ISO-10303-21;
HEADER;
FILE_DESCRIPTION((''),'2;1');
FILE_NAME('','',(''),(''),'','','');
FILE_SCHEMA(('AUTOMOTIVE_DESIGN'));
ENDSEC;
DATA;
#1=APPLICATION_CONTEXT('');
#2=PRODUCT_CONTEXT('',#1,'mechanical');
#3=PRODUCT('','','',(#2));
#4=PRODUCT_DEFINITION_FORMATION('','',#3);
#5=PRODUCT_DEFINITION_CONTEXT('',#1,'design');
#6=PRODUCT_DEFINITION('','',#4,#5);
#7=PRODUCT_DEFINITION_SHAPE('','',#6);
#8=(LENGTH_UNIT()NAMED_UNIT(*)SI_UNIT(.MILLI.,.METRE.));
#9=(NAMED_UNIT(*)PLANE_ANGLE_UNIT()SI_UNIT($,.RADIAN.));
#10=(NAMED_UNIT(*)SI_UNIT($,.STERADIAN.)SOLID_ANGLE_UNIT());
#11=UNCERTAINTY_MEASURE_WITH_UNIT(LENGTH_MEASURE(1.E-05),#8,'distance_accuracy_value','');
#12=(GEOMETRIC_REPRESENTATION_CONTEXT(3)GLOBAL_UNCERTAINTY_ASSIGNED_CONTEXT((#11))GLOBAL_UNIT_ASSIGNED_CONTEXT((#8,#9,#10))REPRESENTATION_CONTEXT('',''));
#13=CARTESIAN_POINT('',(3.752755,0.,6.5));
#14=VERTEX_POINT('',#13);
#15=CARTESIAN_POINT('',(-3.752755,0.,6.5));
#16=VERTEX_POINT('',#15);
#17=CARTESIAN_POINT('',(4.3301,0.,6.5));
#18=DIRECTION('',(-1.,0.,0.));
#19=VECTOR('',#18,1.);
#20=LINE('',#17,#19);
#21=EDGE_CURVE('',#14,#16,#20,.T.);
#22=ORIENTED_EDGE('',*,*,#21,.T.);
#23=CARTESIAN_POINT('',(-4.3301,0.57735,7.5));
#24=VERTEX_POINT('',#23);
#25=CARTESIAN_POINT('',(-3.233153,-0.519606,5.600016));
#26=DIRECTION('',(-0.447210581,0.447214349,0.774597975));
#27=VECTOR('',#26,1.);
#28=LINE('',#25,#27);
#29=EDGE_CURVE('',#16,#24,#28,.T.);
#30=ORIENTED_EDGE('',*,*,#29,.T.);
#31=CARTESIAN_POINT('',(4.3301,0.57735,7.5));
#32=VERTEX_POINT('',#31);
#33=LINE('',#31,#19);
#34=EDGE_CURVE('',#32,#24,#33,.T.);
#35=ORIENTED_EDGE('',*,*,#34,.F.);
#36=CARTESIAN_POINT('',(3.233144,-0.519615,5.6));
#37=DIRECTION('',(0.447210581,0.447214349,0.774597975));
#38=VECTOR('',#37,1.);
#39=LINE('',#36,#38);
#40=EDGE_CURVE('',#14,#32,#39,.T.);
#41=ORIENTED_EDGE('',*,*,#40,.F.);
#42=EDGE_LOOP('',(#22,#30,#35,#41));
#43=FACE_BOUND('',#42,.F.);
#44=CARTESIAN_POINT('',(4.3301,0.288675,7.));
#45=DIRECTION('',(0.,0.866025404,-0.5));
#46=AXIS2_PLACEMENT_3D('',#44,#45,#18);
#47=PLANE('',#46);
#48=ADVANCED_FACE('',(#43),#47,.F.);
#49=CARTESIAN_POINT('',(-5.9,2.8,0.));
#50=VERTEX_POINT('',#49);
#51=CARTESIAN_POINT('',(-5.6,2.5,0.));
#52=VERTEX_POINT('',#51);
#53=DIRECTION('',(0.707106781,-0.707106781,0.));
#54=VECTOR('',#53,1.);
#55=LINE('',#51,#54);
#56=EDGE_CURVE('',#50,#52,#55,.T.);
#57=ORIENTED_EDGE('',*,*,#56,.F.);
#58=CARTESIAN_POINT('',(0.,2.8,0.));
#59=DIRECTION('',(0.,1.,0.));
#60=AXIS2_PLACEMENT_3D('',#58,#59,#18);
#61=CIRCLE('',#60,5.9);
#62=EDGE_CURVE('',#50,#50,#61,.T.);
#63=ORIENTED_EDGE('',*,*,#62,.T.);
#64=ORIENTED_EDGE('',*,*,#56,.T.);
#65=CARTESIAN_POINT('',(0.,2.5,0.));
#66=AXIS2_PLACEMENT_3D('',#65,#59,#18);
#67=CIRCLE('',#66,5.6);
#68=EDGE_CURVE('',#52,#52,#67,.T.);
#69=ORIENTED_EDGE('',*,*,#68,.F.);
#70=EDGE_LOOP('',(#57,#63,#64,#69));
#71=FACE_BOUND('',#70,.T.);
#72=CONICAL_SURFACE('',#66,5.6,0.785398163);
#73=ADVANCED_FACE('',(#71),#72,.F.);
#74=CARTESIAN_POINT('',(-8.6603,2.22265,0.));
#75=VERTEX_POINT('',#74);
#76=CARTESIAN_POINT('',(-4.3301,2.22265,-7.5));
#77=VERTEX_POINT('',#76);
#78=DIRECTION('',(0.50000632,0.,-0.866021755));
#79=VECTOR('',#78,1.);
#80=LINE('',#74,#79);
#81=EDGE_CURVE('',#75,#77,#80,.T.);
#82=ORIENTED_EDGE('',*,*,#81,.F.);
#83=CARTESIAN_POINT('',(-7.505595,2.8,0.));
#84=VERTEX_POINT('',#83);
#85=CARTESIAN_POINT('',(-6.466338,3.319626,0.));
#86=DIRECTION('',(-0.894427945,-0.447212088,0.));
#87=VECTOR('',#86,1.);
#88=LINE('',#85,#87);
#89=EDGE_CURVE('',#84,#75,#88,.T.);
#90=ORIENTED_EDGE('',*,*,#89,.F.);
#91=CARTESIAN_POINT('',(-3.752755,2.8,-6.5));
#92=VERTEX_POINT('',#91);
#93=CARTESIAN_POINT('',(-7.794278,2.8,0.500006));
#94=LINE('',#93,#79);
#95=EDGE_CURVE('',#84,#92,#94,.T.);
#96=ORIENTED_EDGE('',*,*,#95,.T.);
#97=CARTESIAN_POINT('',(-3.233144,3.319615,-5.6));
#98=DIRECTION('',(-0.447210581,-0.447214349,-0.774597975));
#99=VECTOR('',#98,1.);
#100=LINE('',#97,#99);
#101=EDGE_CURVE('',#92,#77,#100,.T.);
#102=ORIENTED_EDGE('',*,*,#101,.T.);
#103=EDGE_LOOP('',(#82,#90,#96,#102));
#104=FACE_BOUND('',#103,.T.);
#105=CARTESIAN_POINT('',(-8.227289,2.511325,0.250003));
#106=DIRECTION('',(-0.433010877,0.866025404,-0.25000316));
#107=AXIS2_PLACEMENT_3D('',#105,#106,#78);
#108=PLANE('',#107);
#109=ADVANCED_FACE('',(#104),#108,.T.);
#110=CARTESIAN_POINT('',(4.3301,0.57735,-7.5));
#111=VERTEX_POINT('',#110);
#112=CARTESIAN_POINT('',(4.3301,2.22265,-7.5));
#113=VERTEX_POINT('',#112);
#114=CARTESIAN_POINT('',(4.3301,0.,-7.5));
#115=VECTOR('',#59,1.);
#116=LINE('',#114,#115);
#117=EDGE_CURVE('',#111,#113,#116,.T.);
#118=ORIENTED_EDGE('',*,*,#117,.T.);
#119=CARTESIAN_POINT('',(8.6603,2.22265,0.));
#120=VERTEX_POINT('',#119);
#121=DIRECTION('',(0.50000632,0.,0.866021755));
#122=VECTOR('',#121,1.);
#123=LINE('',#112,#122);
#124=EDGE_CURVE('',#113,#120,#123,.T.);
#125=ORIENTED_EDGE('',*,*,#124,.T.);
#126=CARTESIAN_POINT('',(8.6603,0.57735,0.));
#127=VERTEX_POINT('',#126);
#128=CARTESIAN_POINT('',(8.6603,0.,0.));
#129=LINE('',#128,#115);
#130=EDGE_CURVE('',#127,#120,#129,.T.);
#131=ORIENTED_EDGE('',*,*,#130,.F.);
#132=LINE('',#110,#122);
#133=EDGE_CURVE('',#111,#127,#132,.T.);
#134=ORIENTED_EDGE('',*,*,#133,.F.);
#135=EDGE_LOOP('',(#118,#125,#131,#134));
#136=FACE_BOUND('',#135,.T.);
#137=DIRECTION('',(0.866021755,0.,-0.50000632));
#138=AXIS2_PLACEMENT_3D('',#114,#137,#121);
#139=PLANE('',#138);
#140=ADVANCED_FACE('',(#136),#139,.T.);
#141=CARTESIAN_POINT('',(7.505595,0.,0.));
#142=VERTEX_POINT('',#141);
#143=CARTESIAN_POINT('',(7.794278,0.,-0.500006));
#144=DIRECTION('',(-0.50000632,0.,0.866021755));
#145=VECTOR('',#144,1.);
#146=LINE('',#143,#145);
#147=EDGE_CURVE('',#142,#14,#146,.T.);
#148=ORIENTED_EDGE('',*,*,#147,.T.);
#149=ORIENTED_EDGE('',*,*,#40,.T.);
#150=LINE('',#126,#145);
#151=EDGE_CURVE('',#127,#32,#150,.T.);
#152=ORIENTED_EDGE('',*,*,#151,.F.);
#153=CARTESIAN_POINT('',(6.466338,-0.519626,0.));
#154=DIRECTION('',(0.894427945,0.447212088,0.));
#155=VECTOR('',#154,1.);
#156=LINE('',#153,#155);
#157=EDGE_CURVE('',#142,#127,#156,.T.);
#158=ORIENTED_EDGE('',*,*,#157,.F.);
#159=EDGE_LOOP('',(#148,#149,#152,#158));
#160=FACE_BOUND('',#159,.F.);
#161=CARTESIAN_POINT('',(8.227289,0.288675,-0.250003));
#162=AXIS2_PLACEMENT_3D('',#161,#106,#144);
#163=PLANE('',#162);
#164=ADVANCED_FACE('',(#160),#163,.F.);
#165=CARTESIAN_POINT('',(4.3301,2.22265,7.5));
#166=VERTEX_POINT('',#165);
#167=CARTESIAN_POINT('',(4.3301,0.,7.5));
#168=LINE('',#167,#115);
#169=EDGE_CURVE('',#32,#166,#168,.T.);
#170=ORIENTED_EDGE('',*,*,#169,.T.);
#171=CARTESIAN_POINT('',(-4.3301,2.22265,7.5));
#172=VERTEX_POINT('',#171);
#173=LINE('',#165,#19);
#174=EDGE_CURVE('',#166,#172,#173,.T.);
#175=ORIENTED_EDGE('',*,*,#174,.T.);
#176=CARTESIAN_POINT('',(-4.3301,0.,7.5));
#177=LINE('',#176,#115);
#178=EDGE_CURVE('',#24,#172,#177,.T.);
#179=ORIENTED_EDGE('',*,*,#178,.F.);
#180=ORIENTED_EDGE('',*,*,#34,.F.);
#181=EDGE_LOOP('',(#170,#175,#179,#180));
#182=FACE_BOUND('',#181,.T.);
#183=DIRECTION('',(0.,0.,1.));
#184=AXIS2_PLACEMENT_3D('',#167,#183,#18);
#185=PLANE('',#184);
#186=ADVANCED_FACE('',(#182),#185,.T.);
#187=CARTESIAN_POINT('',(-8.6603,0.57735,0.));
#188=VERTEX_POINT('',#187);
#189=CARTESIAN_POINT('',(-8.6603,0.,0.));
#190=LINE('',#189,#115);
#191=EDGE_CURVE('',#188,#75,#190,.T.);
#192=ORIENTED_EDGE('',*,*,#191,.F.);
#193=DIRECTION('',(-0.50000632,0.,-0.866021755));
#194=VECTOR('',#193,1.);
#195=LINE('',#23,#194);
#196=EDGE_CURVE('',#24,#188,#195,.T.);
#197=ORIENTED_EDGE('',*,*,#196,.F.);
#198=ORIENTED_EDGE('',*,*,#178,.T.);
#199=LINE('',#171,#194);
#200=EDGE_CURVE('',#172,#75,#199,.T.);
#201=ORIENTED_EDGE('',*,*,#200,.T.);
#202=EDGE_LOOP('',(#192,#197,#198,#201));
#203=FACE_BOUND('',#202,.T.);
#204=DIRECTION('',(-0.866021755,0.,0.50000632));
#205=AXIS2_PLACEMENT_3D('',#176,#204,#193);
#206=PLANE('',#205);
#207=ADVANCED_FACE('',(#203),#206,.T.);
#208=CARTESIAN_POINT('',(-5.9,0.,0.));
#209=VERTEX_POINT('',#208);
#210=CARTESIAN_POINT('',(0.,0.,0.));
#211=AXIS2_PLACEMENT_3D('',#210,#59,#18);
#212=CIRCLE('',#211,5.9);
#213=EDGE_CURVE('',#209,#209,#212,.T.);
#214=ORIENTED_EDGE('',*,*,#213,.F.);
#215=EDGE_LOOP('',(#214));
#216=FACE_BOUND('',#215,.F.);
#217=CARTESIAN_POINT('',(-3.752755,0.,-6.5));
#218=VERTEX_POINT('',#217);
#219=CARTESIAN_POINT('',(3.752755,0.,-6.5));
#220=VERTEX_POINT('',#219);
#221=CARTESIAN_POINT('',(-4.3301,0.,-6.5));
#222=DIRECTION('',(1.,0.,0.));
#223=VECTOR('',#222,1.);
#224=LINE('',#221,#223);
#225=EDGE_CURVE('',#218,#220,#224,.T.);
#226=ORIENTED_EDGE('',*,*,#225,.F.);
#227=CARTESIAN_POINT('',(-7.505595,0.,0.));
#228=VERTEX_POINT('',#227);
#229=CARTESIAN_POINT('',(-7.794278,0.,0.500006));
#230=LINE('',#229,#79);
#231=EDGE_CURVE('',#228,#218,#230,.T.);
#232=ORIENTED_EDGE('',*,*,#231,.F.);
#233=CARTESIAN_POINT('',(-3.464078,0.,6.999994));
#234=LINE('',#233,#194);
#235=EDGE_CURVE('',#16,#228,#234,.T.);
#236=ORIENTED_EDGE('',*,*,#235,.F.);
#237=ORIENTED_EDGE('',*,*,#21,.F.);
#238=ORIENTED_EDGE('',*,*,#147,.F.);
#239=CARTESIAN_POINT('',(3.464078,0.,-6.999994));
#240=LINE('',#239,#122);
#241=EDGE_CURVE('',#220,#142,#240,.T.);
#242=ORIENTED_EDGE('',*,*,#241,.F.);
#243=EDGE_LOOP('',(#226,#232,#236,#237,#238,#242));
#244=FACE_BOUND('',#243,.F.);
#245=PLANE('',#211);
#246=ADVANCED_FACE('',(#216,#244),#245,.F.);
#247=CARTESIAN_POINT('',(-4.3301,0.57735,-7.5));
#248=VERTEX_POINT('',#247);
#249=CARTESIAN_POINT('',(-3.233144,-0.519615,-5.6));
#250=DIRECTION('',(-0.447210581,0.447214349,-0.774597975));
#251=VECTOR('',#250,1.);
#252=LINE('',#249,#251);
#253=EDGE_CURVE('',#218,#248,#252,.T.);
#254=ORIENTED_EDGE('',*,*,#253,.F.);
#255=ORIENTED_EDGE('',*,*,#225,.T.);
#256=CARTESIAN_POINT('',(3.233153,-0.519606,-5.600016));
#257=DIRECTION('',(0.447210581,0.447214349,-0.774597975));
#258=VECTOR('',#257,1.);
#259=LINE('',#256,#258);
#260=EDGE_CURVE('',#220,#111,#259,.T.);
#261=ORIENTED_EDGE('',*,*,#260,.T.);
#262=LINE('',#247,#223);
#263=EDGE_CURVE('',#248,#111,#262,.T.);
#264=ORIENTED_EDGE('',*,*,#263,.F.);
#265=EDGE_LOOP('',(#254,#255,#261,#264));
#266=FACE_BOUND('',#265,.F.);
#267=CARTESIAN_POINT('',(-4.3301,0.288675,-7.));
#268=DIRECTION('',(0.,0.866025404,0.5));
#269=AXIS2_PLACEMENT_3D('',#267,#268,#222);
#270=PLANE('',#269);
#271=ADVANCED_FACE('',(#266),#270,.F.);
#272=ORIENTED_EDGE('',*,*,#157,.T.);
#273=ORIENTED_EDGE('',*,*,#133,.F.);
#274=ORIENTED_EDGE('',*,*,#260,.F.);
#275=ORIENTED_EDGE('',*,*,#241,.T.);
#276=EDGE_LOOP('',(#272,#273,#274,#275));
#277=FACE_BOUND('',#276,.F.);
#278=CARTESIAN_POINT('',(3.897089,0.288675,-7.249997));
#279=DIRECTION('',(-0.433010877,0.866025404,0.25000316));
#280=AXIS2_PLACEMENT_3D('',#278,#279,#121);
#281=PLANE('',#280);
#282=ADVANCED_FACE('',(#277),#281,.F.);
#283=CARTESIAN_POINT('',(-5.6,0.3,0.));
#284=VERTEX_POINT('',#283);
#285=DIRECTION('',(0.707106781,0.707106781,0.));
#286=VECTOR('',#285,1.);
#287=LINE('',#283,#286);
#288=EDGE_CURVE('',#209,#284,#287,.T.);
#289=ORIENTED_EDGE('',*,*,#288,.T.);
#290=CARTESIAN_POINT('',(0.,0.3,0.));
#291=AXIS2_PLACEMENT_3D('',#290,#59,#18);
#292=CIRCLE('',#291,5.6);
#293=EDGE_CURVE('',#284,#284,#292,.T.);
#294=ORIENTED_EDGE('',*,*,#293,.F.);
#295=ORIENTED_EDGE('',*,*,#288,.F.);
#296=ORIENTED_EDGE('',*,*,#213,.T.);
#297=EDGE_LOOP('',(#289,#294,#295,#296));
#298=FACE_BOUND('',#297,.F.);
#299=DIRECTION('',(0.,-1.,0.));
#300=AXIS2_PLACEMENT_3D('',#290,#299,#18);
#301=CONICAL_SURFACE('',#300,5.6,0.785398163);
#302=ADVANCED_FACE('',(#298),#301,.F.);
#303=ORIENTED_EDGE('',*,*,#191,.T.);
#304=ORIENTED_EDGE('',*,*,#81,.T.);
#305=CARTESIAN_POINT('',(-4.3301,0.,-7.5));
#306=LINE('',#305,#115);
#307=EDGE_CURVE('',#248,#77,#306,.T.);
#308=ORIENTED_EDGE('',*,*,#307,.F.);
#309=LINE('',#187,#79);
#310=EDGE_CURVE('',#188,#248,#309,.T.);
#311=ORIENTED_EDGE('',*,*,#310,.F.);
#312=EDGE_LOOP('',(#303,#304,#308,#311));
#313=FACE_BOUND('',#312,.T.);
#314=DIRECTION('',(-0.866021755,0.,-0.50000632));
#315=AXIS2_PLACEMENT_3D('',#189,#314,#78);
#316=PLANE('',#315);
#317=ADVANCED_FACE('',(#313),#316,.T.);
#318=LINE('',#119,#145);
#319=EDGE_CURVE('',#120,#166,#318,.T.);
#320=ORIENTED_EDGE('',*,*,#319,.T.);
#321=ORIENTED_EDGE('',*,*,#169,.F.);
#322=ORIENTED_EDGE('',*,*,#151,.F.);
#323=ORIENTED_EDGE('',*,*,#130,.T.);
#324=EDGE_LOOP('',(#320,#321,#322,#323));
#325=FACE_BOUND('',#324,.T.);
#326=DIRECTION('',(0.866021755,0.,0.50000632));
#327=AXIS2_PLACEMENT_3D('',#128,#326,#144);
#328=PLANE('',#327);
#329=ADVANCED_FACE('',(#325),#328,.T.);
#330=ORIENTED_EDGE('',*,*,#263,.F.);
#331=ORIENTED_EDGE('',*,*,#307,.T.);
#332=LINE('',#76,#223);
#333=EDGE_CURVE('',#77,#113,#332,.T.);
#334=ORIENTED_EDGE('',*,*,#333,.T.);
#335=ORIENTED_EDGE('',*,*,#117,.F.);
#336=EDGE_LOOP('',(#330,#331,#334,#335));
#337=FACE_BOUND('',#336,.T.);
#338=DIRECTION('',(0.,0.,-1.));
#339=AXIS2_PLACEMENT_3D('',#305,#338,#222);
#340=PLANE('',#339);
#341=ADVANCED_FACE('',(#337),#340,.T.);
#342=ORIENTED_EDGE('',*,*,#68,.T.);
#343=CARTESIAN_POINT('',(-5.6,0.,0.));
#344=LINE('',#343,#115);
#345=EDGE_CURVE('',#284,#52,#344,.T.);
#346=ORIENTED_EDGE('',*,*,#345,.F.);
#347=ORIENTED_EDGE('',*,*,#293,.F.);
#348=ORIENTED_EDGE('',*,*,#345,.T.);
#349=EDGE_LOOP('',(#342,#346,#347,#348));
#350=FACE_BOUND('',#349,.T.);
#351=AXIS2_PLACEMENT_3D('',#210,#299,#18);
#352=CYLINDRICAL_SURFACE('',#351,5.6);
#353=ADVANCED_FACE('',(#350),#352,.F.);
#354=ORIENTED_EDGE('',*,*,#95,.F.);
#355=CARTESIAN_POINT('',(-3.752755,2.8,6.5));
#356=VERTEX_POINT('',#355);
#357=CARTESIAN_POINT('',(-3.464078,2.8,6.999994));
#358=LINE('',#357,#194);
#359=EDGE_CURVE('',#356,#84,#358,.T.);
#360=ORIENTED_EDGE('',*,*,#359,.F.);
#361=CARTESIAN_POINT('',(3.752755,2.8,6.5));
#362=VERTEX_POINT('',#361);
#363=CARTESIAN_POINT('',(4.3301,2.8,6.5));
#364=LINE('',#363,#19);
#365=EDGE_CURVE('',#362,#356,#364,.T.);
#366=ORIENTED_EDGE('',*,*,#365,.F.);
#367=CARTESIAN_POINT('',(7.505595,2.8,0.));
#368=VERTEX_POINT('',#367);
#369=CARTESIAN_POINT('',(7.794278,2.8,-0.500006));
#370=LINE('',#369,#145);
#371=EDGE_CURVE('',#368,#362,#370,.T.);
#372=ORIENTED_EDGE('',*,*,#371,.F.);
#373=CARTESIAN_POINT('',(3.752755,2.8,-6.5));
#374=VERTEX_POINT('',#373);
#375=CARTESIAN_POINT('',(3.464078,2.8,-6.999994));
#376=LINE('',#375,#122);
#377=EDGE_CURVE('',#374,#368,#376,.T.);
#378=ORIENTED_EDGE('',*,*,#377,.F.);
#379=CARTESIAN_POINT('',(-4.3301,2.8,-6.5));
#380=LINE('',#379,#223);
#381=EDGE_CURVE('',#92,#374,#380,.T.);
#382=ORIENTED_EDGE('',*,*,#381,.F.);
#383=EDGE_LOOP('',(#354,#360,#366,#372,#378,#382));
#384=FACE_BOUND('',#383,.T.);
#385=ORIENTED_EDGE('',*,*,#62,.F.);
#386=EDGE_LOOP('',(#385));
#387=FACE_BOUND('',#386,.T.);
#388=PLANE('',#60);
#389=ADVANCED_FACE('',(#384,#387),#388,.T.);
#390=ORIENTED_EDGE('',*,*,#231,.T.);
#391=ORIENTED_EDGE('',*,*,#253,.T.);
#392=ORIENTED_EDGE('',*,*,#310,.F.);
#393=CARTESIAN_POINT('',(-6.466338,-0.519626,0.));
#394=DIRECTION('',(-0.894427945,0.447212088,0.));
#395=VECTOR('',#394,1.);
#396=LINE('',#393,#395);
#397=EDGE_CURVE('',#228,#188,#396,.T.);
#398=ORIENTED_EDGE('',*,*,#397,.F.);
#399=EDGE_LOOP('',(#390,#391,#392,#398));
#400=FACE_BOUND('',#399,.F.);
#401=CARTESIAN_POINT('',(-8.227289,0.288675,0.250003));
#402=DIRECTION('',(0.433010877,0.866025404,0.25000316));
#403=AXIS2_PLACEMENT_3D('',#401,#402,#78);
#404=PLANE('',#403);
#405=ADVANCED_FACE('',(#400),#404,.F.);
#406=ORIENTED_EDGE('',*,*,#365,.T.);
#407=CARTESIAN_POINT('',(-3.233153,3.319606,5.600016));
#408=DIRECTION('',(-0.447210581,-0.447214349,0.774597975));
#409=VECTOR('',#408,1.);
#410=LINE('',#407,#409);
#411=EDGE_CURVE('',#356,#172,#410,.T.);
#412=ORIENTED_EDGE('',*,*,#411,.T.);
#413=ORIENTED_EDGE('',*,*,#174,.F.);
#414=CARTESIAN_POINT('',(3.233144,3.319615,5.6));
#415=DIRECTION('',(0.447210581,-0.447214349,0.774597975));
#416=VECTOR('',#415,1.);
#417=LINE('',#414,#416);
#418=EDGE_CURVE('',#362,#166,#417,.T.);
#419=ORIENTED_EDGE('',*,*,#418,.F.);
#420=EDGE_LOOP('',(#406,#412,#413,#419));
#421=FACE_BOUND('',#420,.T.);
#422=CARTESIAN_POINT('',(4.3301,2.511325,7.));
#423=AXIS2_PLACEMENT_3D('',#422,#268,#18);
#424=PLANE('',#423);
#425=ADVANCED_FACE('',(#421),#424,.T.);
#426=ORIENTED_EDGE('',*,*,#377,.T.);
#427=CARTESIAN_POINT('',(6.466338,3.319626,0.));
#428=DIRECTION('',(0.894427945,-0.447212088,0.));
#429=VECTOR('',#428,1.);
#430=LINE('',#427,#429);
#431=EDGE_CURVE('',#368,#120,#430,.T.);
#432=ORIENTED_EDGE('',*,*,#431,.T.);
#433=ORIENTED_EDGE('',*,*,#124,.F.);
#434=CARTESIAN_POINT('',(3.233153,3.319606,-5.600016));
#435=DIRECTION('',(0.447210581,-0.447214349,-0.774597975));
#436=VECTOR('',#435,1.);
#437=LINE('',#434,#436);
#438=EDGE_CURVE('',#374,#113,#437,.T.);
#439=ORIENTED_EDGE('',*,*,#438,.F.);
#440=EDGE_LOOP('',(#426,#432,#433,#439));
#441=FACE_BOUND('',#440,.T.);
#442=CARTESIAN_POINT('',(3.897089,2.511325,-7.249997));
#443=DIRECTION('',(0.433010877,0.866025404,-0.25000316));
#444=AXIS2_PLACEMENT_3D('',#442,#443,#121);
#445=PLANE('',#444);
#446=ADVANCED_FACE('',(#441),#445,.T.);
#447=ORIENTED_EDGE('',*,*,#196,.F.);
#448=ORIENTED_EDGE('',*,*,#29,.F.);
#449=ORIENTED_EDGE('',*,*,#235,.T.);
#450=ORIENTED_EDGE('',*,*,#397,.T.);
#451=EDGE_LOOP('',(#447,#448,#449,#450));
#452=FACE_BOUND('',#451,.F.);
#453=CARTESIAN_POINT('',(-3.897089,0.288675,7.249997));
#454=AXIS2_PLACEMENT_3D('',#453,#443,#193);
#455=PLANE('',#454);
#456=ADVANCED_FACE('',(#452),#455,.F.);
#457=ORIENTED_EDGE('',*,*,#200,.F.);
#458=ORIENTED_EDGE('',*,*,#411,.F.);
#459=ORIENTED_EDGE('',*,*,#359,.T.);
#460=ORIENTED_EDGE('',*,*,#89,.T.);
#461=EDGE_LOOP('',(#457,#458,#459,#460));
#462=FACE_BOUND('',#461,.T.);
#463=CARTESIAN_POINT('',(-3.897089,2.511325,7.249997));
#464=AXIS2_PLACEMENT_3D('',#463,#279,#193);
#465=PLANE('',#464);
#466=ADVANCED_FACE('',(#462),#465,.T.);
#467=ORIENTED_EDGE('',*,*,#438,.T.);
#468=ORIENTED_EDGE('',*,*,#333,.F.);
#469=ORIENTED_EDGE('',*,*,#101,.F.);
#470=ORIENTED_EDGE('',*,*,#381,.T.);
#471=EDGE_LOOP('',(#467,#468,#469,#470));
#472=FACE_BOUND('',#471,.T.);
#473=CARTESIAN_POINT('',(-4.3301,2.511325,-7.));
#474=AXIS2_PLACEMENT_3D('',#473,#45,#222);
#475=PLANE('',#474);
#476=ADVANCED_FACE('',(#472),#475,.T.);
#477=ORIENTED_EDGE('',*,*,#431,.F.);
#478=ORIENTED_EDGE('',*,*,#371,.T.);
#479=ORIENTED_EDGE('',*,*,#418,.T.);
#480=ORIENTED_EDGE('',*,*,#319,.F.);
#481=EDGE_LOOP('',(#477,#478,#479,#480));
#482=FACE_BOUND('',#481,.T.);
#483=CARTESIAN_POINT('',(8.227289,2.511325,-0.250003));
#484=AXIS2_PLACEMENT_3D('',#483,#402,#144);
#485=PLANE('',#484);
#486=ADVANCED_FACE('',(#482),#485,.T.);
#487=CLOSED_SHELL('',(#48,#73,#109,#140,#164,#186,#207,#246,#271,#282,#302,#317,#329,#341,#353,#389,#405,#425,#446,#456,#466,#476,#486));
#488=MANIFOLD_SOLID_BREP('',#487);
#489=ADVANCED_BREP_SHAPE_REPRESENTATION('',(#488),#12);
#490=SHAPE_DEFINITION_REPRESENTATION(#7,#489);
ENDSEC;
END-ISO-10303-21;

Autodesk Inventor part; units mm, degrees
ref_plane "YZ Plane" through (0, 0, 0) normal (1, 0, 0) x (0, 1, 0)
ref_plane "XZ Plane" through (0, 0, 0) normal (0, 1, 0) x (-1, 0, 0)
ref_plane "XY Plane" through (0, 0, 0) normal (0, 0, 1) x (1, 0, 0)
sketch "Эскиз1" plane through (0, 0, 0) normal (0, 1, 0) x (-1, 0, 0)
  line L0 (-4.3301, -7.5) -> (-8.6603, 0)
  line L1 (-8.6603, 0) -> (-4.3301, 7.5)
  line L2 (-4.3301, 7.5) -> (4.3301, 7.5)
  line L3 (4.3301, 7.5) -> (8.6603, 0)
  line L4 (8.6603, 0) -> (4.3301, -7.5)
  line L5 (4.3301, -7.5) -> (-4.3301, -7.5)
  circle A0 centre (0, 0) radius 5.6
  dimension "d0" = 15
  dimension "d1" = 11.2
extrude "Выдавливание1" add sketch "Эскиз1" along normal blind 2.8
chamfer "Фаска1" distance 1 angle 30 6 edges at (0, 2.8, 7.5) (6.4952, 2.8, 3.75) (6.4952, 2.8, -3.75) (0, 2.8, -7.5) (-6.4952, 2.8, -3.75) (-6.4952, 2.8, 3.75) measured on face at (0.225, 2.8, 6.8531)
chamfer "Фаска2" distance 1 angle 30 6 edges at (-6.4952, 0, 3.75) (0, 0, 7.5) (6.4952, 0, 3.75) (6.4952, 0, -3.75) (0, 0, -7.5) (-6.4952, 0, -3.75) measured on face at (0.225, 0, 6.8531)
thread "Резьба1" size "M12x0.75" class "6H" standard "ANSI Metric M Profile" full length
chamfer "Фаска3" distance 0.3 angle 45 2 edges at (5.6, 2.8, 0) (5.6, 0, 0)
properties part number "гайка" material "Сталь, нержавеющая, полированная"
